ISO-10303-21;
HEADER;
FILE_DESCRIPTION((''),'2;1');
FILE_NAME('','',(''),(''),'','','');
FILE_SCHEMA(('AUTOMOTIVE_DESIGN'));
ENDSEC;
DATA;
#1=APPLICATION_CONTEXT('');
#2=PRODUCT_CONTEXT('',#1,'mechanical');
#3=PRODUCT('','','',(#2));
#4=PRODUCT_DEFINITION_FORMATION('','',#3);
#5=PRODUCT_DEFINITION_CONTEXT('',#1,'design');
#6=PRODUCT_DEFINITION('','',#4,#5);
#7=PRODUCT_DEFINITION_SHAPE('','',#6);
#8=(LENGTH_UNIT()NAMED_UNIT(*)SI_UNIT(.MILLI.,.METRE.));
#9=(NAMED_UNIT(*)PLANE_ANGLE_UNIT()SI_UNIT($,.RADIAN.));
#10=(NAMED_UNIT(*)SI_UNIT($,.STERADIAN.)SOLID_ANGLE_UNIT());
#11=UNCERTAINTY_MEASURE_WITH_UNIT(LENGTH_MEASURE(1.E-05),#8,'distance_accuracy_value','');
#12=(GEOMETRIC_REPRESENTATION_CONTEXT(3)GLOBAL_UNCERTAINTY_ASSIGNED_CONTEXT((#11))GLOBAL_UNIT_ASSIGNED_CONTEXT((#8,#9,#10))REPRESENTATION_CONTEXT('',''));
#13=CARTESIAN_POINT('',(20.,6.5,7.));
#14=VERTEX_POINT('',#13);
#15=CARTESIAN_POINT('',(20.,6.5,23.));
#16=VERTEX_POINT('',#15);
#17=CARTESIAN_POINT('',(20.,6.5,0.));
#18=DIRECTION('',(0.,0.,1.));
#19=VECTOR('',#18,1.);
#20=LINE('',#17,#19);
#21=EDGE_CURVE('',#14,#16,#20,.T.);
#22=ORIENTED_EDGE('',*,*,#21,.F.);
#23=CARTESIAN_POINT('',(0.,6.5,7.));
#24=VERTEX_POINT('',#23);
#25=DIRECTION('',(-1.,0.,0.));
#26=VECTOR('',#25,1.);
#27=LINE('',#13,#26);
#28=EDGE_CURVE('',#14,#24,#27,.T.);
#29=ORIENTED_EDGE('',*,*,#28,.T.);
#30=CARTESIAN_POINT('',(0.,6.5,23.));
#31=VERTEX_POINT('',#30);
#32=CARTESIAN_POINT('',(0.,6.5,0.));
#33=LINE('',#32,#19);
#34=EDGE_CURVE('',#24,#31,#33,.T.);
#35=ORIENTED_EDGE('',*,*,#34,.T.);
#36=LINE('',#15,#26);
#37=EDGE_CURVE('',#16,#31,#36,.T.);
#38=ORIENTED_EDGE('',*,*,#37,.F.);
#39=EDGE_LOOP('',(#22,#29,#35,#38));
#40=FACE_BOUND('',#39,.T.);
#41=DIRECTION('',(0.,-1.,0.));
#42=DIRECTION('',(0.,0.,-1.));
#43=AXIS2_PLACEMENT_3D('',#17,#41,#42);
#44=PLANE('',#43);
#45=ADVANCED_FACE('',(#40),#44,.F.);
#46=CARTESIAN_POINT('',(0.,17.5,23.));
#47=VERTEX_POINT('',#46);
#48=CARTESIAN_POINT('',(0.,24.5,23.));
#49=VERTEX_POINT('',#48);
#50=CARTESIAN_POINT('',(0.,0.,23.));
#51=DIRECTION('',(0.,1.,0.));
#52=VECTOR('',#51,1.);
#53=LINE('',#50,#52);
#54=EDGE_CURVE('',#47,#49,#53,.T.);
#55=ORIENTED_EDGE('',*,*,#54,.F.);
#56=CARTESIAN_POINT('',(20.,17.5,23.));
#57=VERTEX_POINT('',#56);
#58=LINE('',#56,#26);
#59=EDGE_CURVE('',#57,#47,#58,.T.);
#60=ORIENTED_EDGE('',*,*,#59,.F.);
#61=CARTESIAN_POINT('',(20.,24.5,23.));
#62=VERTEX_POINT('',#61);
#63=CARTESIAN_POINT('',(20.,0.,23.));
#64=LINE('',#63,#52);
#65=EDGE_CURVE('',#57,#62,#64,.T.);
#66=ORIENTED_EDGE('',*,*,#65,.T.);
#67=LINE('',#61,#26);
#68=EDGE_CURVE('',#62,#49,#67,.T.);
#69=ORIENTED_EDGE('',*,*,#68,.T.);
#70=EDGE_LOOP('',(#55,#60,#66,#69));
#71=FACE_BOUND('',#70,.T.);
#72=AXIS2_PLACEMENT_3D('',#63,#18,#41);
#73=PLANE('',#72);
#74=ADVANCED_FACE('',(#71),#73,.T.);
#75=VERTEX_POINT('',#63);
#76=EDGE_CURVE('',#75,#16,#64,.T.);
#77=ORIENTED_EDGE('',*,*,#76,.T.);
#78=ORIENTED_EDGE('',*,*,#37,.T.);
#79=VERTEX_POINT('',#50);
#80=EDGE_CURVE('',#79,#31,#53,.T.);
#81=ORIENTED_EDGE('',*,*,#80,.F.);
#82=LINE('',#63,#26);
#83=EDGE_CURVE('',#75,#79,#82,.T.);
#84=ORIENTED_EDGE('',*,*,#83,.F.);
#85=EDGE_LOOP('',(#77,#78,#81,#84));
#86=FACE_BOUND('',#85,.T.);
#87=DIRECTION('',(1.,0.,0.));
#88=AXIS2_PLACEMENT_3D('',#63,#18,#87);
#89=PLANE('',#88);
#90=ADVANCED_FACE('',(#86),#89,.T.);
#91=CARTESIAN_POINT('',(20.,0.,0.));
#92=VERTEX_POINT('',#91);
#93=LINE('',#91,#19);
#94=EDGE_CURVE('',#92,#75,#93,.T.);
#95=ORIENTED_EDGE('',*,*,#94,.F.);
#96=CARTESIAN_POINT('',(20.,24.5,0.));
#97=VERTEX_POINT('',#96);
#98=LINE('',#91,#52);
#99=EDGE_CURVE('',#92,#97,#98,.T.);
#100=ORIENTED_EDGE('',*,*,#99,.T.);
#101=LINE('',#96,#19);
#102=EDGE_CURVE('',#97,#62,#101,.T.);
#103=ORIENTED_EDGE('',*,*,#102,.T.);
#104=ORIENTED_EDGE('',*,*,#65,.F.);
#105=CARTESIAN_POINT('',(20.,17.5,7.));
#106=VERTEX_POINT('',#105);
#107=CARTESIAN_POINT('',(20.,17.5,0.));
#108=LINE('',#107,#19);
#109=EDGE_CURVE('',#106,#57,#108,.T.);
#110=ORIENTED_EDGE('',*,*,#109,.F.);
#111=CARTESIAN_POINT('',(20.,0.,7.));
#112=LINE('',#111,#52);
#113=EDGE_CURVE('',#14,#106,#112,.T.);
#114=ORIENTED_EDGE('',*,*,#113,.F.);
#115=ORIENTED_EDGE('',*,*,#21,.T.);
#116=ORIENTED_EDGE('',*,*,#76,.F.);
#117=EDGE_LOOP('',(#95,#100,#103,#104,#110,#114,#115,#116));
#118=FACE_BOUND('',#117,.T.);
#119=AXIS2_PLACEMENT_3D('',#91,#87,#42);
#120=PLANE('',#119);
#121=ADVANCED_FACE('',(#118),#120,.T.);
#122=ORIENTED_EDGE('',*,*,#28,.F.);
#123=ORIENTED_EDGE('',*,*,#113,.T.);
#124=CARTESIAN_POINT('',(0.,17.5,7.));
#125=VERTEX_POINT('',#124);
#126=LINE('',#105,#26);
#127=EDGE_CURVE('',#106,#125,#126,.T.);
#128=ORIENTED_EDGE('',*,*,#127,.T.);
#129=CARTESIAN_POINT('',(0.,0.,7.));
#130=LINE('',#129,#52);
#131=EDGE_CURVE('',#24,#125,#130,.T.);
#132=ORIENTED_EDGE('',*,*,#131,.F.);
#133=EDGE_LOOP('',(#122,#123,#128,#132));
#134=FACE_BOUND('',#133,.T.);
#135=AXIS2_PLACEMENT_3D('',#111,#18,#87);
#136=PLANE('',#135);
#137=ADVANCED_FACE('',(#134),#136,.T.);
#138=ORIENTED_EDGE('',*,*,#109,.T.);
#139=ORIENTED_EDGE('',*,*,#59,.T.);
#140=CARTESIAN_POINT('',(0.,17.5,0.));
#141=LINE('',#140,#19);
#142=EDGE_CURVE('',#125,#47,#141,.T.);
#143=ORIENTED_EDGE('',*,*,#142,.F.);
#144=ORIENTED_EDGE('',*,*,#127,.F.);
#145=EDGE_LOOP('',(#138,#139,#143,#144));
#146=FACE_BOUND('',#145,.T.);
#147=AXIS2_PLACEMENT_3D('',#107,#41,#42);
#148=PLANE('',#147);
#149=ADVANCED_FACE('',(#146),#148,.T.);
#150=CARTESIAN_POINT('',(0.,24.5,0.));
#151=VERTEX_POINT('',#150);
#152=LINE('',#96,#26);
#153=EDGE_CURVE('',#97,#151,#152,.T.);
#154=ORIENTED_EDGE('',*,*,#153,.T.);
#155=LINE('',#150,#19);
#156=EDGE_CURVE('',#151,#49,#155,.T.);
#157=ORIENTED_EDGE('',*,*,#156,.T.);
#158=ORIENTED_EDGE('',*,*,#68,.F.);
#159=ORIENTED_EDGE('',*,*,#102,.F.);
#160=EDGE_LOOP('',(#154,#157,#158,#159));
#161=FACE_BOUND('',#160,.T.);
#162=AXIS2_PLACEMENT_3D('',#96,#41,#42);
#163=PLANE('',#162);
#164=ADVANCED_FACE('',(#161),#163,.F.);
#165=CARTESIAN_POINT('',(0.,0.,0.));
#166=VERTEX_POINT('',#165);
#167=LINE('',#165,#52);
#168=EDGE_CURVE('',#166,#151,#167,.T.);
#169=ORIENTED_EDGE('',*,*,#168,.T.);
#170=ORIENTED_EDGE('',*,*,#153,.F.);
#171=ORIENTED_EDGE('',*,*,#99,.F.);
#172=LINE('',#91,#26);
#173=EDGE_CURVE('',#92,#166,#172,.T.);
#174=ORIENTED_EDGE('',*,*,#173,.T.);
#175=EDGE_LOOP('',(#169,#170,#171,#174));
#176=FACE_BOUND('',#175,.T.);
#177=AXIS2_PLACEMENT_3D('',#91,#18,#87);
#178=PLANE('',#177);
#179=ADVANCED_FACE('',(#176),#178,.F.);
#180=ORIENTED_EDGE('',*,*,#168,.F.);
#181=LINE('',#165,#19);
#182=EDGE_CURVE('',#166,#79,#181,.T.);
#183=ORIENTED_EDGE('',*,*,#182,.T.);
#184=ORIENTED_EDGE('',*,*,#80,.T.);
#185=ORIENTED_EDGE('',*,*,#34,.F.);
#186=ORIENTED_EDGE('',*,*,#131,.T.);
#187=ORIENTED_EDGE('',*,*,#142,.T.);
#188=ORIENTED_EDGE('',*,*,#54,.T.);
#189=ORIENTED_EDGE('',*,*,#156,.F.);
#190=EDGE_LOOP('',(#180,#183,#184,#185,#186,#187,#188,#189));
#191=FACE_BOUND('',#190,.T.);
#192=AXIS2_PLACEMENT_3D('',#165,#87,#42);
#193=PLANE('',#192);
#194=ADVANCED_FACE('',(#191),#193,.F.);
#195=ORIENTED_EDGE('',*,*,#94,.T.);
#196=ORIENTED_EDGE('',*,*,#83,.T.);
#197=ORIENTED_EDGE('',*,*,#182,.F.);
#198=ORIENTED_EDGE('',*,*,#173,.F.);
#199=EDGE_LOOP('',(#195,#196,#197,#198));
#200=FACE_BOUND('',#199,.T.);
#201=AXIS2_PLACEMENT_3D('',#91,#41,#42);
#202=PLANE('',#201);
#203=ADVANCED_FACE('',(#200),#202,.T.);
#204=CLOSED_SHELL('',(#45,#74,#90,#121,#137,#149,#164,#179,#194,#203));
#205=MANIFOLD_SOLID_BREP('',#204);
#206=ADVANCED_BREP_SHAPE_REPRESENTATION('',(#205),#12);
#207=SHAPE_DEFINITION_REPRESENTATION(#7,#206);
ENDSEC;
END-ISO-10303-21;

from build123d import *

# Parameters (mm, degrees)
SKETCH1_W           = 7
SKETCH1_H           = 11
SKETCH1_W_2         = 23
SKETCH1_H_2         = 6.5
BOSS_EXTRUDE1_DEPTH = 20


with BuildPart() as part:
    # Sketch1 → Boss-Extrude1 (new body)
    with BuildSketch(Plane(origin=(0, 0, 0), x_dir=(0, 0, -1), z_dir=(1, 0, 0))):
        with Locations((-3.5, 12)):
            Rectangle(SKETCH1_W, SKETCH1_H)
        Polygon((-7, 17.5), (0, 17.5), (0, 24.5), (-23, 24.5), (-23, 19.5), (-23, 17.5), align=None)
        with Locations((-11.5, 3.25)):
            Rectangle(SKETCH1_W_2, SKETCH1_H_2)
    extrude(amount=BOSS_EXTRUDE1_DEPTH)


solid = part.part
